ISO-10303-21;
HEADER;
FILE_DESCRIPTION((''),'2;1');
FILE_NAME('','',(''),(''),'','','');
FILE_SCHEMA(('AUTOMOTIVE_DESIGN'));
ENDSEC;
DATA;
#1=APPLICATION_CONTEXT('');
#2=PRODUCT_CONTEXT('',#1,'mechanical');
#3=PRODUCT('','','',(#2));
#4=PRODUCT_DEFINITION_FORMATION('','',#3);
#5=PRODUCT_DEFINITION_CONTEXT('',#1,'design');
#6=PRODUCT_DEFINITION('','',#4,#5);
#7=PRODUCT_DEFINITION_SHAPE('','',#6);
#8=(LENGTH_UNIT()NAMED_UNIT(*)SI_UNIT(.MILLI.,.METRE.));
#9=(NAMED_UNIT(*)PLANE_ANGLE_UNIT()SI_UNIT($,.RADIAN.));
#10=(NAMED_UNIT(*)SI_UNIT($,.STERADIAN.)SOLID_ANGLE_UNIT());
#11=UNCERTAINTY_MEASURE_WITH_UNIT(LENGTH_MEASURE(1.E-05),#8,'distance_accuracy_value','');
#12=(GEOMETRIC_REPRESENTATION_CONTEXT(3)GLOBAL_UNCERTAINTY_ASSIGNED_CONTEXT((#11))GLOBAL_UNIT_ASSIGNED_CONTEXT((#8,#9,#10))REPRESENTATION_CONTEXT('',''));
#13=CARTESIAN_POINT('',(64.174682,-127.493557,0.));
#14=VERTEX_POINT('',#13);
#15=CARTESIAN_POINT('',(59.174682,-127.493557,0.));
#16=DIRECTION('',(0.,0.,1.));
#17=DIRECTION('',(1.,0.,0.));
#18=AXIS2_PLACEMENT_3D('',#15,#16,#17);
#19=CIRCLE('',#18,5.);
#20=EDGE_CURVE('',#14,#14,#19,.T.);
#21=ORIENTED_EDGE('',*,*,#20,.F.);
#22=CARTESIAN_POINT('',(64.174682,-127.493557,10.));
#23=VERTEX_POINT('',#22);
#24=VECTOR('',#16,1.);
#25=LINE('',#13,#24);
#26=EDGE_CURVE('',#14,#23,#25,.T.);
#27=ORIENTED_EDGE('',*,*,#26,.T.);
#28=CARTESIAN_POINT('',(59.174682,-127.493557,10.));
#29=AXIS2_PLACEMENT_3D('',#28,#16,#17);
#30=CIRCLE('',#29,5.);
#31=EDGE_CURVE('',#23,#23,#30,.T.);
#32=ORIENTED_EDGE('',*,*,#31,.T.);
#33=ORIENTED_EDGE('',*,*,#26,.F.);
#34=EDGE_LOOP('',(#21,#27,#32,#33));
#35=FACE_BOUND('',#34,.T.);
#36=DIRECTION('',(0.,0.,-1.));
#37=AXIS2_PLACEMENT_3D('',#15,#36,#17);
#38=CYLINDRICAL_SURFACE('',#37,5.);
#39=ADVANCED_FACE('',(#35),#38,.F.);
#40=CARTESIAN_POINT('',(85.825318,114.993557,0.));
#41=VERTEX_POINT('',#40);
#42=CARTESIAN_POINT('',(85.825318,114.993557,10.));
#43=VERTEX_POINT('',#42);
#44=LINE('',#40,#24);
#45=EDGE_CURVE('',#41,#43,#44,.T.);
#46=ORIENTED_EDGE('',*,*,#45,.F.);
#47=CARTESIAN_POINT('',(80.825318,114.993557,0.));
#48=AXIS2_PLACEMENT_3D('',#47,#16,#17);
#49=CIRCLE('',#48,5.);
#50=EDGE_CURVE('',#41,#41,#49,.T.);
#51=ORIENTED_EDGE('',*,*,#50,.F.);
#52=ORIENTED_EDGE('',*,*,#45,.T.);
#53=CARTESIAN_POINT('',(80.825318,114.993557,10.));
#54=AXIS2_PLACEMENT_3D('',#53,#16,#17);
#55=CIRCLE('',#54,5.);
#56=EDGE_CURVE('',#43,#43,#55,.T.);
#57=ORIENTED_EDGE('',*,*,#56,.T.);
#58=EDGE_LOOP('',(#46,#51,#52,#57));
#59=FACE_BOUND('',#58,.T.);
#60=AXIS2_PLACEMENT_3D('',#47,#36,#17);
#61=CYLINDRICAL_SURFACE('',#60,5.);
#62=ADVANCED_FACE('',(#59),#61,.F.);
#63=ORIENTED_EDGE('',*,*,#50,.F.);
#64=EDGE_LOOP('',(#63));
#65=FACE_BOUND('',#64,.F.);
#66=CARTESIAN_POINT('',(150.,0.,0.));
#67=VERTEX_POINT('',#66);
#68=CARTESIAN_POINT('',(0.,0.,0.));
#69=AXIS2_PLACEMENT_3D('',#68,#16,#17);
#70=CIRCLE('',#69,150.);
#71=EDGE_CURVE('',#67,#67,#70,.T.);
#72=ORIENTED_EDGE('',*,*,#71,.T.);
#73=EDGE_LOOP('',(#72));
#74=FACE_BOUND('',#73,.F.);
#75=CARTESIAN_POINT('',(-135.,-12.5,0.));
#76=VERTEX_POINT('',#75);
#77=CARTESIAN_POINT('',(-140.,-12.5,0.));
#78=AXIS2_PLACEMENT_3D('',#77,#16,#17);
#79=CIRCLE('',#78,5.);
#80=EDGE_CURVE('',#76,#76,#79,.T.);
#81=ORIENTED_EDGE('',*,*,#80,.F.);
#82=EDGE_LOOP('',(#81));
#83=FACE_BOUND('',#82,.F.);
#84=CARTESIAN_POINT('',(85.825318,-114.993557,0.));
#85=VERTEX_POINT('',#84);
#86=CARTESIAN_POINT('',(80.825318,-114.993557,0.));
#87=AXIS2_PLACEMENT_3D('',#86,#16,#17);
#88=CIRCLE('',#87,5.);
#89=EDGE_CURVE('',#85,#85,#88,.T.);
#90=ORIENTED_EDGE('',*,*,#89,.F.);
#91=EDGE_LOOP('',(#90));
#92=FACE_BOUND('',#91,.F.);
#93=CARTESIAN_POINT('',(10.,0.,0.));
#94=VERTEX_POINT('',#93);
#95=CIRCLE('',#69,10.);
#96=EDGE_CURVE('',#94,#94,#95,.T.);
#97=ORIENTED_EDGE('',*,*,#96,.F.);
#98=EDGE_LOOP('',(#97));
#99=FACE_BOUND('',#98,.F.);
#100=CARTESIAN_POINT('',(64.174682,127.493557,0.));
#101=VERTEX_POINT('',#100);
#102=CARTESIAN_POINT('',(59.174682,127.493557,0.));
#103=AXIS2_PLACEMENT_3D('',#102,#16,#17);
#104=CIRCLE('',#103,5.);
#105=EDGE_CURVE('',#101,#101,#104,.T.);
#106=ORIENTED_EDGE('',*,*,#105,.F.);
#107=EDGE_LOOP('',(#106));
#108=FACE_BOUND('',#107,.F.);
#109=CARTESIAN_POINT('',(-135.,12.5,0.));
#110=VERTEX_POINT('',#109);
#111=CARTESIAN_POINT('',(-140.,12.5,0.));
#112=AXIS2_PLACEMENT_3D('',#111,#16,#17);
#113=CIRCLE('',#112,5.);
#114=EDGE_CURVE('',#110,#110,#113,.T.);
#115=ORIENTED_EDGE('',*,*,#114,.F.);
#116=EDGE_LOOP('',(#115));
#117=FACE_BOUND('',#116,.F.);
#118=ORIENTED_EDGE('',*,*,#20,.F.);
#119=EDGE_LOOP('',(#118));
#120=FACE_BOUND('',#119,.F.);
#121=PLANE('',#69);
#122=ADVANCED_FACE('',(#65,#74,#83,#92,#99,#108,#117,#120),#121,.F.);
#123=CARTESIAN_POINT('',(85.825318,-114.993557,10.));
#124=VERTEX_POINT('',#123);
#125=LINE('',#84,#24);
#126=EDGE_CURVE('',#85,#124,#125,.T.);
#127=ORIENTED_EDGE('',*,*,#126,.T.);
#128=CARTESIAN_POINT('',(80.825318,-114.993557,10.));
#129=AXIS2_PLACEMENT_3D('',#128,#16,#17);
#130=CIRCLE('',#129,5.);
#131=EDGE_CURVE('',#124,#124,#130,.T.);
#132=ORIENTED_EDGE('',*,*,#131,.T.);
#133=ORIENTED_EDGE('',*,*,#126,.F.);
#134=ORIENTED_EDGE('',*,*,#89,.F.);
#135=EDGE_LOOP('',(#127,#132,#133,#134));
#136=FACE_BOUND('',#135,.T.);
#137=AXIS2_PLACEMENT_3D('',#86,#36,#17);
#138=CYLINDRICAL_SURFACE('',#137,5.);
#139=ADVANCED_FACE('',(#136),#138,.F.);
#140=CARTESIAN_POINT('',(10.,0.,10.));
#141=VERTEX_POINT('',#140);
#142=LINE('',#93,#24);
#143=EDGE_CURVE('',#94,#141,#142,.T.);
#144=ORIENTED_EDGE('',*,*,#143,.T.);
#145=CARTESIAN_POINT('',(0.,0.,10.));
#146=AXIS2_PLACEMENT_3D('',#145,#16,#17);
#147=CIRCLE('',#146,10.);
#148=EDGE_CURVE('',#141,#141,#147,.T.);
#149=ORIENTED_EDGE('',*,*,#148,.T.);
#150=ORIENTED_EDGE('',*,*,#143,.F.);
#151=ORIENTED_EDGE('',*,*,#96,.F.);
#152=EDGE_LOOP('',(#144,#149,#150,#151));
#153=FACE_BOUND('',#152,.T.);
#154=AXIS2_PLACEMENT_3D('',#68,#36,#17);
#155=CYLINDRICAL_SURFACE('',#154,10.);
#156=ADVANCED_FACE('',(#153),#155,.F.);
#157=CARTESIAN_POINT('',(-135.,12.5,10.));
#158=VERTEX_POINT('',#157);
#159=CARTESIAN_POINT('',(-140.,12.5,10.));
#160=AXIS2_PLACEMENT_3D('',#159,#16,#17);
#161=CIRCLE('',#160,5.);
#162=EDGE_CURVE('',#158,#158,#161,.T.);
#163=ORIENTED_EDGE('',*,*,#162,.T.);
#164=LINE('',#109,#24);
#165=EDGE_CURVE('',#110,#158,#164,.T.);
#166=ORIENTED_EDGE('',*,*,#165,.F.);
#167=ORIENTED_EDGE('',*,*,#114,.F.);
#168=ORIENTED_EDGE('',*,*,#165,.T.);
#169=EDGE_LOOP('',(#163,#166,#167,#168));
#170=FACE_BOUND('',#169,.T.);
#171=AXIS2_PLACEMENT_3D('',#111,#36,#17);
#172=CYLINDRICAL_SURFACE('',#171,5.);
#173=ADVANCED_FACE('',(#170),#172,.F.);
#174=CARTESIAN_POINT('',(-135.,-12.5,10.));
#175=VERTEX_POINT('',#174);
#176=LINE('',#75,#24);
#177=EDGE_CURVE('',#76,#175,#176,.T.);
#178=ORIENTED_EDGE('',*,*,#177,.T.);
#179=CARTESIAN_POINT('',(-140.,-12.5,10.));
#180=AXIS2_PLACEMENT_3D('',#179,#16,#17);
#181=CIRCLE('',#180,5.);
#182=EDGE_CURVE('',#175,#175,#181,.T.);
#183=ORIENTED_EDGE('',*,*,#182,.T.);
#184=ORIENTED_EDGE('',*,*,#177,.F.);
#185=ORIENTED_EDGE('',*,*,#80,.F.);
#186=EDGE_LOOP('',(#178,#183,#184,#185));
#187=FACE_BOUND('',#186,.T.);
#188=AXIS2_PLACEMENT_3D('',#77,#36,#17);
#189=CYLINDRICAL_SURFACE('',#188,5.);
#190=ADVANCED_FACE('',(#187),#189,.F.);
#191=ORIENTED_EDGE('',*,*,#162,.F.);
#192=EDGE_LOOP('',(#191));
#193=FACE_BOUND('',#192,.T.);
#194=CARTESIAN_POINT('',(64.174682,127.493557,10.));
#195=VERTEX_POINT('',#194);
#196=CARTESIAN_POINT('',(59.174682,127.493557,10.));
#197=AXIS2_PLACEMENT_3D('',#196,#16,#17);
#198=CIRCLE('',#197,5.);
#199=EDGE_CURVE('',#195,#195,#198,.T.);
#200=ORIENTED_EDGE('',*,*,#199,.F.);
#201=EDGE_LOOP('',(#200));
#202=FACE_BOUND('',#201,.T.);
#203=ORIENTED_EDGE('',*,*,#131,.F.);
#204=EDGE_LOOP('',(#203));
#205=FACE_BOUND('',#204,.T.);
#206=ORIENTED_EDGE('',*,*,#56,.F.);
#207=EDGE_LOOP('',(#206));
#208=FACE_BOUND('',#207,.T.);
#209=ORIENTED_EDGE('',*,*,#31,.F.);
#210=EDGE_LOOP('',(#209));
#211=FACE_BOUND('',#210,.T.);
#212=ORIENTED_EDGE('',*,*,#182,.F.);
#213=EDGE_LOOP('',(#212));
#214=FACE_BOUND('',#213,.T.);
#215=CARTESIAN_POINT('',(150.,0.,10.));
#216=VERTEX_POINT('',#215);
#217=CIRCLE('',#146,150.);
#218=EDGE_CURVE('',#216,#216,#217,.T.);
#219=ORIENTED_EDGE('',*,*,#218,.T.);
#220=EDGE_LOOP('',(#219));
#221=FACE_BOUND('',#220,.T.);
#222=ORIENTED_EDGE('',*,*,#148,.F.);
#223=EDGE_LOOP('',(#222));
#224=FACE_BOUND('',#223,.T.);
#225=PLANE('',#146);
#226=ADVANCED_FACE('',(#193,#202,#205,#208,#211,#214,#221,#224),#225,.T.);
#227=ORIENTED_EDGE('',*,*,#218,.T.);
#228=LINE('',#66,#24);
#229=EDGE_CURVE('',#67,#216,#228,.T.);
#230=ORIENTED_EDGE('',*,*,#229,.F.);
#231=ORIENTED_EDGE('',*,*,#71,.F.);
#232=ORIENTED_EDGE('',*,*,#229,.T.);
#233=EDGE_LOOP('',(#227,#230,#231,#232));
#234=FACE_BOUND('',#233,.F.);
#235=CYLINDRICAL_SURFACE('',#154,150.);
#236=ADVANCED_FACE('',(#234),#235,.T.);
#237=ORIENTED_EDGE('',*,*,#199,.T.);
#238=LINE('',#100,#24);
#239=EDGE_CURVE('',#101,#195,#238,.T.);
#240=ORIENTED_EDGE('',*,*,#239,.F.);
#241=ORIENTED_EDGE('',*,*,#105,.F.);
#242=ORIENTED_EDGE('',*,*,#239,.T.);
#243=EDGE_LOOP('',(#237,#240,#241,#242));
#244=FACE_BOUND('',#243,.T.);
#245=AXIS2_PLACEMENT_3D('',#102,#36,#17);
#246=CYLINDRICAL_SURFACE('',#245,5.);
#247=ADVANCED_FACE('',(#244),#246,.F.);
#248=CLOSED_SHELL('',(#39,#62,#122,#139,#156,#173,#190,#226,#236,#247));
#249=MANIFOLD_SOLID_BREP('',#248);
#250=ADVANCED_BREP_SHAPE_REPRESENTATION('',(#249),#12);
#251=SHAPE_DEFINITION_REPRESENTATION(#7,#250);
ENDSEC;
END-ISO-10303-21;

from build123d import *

# Parameters (mm, degrees)
F0_R     = 150
F0_R_2   = 5
F0_R_3   = 10
F1_DEPTH = 10


with BuildPart() as f1:
    # F0 (on Top) → F1 (new body)
    with BuildSketch(Plane.XY):
        Circle(F0_R)
        with Locations((-140, -12.5)):
            Circle(F0_R_2, mode=Mode.SUBTRACT)
        with Locations((59.174682, -127.493557)):
            Circle(F0_R_2, mode=Mode.SUBTRACT)
        with Locations((80.825318, -114.993557)):
            Circle(F0_R_2, mode=Mode.SUBTRACT)
        with Locations((-140, 12.5)):
            Circle(F0_R_2, mode=Mode.SUBTRACT)
        Circle(F0_R_3, mode=Mode.SUBTRACT)
        with Locations((59.174682, 127.493557)):
            Circle(F0_R_2, mode=Mode.SUBTRACT)
        with Locations((80.825318, 114.993557)):
            Circle(F0_R_2, mode=Mode.SUBTRACT)
    extrude(amount=F1_DEPTH)


solid = f1.part
